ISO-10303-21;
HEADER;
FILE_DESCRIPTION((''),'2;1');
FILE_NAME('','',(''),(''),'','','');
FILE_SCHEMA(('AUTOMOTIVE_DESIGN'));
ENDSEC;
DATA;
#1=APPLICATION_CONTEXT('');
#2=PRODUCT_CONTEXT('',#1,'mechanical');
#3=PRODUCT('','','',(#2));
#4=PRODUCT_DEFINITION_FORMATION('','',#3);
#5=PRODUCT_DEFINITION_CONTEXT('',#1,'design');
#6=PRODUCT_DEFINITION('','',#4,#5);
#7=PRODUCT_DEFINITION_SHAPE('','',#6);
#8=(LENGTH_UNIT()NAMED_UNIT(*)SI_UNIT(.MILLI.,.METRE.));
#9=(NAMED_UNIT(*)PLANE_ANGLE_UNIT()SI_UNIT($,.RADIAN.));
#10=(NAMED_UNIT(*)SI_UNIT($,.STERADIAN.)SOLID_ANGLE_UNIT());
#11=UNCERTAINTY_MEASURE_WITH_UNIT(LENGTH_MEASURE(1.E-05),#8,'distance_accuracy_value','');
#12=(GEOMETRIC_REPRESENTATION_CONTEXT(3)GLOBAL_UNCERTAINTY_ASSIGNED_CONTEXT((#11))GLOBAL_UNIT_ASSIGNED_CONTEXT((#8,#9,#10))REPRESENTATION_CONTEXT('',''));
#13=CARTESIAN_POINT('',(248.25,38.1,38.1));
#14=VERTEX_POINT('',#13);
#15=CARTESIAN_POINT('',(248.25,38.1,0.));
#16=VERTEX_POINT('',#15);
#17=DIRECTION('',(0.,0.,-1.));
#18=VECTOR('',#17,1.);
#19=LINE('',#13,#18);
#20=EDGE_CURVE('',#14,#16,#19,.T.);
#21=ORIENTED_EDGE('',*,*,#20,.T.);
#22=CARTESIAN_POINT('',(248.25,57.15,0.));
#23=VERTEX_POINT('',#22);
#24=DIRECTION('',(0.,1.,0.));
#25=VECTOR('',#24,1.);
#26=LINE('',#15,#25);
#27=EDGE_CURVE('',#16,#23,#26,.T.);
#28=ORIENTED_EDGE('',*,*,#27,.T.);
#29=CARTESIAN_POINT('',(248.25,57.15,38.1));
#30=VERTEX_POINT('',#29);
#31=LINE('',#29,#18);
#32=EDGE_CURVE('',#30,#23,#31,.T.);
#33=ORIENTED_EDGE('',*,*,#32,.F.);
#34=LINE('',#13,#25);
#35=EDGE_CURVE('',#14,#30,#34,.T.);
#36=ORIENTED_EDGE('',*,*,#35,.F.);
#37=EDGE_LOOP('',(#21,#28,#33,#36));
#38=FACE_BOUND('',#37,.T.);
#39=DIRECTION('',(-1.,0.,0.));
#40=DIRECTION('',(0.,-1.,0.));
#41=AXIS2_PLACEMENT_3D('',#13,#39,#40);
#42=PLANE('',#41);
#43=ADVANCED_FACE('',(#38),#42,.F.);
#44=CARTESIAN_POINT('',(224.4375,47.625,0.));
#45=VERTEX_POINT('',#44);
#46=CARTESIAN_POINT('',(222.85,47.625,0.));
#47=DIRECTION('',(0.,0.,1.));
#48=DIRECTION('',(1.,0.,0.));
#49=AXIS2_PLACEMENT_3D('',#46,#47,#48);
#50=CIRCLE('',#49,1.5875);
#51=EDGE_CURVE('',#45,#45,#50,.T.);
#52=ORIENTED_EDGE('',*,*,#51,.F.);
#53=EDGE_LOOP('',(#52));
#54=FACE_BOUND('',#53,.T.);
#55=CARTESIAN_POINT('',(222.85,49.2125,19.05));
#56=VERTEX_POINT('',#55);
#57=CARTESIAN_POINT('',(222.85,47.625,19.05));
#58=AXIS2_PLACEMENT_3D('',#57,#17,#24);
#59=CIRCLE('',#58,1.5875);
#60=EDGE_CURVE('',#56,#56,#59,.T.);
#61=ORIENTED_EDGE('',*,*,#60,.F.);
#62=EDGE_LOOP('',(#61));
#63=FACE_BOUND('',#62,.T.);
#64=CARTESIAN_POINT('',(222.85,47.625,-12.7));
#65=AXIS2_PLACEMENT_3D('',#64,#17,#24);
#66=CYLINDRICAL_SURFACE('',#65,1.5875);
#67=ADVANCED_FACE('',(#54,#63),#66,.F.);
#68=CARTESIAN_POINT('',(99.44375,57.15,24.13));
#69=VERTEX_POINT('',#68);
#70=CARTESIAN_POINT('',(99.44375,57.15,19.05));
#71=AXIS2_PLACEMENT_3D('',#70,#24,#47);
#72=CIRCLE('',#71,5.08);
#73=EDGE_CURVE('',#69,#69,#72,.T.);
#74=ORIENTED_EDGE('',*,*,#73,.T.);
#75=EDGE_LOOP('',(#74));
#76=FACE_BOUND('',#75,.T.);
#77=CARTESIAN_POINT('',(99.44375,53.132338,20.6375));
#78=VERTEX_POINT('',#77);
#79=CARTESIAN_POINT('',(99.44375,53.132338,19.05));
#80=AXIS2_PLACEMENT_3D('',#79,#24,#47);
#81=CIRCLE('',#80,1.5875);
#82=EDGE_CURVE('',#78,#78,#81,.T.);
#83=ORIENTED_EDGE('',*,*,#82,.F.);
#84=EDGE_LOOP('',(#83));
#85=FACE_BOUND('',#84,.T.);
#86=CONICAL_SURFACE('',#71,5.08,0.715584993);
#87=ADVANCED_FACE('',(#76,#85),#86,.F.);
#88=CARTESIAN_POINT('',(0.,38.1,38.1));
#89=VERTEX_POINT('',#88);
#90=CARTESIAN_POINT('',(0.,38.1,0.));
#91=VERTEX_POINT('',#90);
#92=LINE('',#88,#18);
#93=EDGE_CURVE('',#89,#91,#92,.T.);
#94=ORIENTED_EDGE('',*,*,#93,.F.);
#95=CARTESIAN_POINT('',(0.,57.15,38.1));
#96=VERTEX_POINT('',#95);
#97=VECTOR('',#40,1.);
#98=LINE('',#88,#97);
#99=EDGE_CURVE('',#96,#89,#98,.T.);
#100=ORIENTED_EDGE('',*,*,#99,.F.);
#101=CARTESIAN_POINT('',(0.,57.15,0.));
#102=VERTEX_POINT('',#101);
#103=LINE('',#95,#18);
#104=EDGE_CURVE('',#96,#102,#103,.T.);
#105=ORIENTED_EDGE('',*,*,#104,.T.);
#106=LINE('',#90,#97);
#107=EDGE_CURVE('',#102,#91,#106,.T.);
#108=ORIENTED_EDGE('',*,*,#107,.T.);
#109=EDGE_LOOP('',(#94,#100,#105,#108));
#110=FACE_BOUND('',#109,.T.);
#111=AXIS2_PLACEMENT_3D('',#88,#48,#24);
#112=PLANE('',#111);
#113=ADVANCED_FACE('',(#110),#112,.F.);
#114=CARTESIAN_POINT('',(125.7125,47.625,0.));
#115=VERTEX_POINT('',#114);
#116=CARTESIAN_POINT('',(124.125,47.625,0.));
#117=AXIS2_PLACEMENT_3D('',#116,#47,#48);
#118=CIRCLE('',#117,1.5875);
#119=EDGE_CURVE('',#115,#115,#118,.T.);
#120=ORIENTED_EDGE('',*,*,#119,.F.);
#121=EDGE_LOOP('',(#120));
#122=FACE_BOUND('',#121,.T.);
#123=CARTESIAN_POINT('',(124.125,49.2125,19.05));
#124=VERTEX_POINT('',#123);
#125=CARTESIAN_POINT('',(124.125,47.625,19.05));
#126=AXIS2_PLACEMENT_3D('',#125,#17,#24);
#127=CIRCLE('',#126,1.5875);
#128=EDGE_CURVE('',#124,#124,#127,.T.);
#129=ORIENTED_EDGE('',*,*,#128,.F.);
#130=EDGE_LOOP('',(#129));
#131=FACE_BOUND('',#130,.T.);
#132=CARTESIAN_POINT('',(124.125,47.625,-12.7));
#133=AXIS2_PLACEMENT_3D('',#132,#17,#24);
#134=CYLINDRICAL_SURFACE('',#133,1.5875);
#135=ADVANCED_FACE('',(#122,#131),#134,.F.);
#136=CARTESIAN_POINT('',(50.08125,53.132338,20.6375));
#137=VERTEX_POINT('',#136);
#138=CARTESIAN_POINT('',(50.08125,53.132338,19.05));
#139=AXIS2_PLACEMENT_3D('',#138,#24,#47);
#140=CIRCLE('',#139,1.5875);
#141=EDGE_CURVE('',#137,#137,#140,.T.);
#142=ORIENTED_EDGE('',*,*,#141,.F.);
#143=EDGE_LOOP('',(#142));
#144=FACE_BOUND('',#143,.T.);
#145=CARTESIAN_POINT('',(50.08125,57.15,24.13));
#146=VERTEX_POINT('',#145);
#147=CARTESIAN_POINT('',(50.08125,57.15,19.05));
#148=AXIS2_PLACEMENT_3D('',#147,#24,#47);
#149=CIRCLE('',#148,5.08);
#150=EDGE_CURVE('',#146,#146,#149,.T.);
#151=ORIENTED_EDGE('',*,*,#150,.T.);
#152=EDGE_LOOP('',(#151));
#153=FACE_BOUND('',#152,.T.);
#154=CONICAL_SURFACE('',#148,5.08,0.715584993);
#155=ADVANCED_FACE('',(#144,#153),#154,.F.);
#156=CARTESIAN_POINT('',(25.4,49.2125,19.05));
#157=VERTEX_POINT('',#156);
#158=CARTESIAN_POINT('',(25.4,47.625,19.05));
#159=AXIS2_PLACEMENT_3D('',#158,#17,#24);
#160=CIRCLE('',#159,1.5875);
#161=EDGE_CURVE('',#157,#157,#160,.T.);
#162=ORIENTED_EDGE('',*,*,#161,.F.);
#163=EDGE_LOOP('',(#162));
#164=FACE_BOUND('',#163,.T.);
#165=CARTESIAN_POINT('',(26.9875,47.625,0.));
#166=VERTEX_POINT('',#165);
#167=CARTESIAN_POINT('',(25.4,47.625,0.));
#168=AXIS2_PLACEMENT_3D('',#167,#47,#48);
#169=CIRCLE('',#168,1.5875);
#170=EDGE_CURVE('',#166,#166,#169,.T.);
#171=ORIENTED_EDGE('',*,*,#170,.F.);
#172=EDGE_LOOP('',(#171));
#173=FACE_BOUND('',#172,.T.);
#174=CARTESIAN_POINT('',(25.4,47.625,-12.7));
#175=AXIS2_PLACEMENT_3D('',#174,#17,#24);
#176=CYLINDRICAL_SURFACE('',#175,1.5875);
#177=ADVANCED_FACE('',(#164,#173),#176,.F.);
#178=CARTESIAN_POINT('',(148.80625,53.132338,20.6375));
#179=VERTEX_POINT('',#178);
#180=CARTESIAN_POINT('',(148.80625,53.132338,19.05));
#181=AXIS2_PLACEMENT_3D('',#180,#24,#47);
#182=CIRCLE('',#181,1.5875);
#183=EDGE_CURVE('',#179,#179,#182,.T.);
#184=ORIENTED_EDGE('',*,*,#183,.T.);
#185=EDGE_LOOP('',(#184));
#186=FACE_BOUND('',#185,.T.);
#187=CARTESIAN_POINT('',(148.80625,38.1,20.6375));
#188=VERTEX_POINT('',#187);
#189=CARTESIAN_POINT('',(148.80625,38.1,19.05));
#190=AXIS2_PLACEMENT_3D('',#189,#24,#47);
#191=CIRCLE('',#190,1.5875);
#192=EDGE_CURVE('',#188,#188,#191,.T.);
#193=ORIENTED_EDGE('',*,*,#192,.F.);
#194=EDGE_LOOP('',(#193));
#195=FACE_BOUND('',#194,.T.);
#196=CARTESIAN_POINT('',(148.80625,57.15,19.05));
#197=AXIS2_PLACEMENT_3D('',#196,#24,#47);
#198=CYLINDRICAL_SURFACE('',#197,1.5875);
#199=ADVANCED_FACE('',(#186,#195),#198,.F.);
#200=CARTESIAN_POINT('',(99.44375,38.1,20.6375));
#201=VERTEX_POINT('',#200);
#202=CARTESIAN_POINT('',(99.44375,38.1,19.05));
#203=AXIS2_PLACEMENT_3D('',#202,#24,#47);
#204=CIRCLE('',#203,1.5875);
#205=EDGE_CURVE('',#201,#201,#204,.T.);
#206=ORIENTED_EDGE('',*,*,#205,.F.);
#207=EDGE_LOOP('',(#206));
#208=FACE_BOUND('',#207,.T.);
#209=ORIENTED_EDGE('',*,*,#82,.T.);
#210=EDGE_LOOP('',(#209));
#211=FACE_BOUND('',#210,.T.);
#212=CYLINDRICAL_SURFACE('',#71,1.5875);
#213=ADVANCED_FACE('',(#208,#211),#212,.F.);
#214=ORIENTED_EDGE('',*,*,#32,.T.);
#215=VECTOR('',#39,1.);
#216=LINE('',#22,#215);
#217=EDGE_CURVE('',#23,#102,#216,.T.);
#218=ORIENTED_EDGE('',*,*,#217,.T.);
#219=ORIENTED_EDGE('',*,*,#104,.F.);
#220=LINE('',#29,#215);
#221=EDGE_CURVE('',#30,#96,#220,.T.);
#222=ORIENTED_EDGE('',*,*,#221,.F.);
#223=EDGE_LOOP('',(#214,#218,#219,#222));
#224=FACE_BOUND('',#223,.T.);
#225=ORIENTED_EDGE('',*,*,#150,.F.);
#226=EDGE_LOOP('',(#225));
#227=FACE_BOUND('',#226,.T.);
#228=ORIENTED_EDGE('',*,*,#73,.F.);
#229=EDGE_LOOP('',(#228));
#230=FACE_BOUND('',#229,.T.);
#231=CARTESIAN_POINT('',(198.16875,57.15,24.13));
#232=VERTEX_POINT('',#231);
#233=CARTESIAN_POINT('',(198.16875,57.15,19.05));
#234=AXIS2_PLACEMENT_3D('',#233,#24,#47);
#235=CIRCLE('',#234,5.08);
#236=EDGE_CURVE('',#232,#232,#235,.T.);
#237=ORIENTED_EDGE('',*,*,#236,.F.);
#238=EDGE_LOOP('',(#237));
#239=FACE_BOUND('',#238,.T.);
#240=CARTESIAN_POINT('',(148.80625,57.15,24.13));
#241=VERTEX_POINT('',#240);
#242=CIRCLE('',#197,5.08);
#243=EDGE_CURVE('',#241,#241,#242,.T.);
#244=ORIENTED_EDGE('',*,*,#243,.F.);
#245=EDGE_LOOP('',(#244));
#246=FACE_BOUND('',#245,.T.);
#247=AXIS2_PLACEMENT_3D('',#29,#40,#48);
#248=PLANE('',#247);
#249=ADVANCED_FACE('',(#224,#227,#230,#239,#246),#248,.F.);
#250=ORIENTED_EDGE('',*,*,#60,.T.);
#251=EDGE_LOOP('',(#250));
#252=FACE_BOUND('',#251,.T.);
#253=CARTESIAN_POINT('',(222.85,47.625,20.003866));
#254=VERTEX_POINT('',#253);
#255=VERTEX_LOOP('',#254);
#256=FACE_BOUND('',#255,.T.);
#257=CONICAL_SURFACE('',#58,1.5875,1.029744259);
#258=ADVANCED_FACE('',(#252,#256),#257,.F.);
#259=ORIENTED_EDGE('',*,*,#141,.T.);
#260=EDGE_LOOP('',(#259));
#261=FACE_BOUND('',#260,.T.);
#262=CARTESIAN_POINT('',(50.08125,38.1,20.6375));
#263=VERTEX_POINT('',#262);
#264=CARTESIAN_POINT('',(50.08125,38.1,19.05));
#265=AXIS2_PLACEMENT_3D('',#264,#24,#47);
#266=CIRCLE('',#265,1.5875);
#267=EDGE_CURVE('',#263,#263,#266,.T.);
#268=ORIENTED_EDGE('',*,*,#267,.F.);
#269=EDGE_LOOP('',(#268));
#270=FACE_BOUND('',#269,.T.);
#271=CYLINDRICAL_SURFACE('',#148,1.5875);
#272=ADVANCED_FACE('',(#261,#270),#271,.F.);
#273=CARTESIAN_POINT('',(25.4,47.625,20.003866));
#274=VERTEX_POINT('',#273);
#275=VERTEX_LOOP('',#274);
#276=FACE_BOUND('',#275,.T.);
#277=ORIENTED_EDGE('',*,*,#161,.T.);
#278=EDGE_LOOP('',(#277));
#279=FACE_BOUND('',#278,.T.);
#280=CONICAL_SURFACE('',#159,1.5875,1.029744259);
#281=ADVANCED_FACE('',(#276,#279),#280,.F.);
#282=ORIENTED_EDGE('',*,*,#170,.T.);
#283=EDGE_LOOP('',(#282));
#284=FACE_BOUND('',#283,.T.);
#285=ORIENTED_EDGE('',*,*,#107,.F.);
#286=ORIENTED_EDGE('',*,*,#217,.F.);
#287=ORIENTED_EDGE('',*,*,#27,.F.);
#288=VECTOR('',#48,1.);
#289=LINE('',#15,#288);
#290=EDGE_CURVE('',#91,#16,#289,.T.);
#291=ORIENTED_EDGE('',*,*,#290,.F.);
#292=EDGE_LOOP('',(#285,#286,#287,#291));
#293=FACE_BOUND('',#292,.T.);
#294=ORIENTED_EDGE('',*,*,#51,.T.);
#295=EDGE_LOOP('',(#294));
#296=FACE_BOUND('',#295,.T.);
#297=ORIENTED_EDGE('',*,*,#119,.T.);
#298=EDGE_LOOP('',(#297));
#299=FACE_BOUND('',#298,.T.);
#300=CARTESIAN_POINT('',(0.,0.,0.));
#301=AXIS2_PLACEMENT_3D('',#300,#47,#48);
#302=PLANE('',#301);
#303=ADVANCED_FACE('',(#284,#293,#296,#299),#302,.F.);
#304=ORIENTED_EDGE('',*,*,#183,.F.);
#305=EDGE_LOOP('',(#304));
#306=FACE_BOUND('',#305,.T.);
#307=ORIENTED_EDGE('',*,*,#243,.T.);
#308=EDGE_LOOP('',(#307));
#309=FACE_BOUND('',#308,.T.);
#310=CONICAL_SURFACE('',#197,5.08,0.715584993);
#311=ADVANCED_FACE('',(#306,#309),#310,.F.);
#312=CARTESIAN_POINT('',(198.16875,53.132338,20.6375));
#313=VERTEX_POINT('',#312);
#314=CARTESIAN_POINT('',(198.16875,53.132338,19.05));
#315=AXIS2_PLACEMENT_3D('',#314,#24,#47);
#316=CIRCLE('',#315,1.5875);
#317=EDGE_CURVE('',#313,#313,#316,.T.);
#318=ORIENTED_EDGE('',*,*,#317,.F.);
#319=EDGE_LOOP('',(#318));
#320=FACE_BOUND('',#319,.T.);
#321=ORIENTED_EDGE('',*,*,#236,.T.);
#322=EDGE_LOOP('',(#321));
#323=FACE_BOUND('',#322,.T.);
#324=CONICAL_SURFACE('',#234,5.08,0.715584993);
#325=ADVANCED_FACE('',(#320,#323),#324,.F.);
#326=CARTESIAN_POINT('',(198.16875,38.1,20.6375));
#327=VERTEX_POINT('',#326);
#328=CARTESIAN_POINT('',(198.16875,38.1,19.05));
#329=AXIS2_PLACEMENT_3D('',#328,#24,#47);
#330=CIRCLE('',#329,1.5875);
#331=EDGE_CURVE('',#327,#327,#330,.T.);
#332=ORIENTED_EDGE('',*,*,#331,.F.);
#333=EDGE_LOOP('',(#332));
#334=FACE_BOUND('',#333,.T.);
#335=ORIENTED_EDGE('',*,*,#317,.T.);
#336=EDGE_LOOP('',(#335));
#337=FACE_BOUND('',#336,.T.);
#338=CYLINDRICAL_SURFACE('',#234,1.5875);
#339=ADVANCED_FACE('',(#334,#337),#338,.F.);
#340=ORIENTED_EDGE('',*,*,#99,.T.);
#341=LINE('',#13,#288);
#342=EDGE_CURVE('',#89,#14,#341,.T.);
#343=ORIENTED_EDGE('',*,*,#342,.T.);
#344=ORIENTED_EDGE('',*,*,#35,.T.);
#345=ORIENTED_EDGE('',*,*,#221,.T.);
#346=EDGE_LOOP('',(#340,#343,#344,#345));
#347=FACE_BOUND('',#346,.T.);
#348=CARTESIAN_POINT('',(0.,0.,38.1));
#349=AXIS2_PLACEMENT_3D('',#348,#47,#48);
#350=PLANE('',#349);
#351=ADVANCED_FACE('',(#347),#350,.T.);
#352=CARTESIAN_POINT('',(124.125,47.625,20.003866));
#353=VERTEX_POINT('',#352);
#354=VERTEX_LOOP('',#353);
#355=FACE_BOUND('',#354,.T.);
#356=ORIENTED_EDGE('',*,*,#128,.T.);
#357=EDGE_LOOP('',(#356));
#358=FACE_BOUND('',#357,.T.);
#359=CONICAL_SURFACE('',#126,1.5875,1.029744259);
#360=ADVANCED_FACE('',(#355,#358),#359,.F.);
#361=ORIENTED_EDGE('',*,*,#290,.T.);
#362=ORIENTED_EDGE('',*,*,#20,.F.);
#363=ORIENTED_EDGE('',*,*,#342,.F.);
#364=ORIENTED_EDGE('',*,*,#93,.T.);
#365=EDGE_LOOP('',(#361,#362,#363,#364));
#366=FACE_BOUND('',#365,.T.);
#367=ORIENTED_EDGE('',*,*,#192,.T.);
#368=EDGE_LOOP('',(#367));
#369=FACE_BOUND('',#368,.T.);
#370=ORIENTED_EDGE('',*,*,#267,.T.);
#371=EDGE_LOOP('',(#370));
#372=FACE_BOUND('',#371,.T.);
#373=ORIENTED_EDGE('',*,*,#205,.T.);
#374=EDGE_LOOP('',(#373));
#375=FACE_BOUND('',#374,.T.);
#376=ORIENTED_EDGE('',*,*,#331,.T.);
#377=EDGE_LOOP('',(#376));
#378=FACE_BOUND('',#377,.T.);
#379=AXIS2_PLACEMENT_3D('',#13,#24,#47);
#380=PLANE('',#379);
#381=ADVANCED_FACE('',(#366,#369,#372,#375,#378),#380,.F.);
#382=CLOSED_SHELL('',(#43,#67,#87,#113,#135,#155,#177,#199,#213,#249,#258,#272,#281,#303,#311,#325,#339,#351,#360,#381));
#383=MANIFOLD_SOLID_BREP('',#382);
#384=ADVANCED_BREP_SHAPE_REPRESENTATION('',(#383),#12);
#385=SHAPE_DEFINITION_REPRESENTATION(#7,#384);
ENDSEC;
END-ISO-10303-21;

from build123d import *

# Parameters (mm, degrees)
SKETCH1_W           = 248.25
SKETCH1_H           = 19.05
BOSS_EXTRUDE1_DEPTH = 38.1
HOLE1_D             = 3.175
HOLE1_DEPTH         = 31.75
HOLE1_CSINK_D       = 10.16
HOLE1_CSINK_ANGLE   = 82
HOLE1_TIP           = 0.953866233
HOLE2_D             = 3.175
HOLE2_DEPTH         = 57.15
HOLE2_CSINK_D       = 10.16
HOLE2_CSINK_ANGLE   = 82
HOLE2_TIP           = 0.953866233


with BuildPart() as part:
    # Sketch1 → Boss-Extrude1 (new body)
    with BuildSketch(Plane.XY):
        with Locations((124.125, 47.625)):
            Rectangle(SKETCH1_W, SKETCH1_H)
    extrude(amount=BOSS_EXTRUDE1_DEPTH)

    # Hole1
    with Locations(Plane(origin=(-1090.512770337, -52.974999997, -12.7), x_dir=(0, 1, 0), z_dir=(0, 0, -1))):
        with Locations((-100.332047386, 1313.362770337), (100.599999997, 1313.362770337), (100.599999997, 1115.912770337), (100.599999997, 1214.637770337), (-100.332047386, 1214.637770337), (-100.332047386, 1115.912770337)):
            CounterSinkHole(HOLE1_D / 2, HOLE1_CSINK_D / 2, depth=HOLE1_DEPTH, counter_sink_angle=HOLE1_CSINK_ANGLE)
            with Locations((0, 0, -(HOLE1_DEPTH + HOLE1_TIP / 2))):  # 118° drill point
                Cone(0, HOLE1_D / 2, HOLE1_TIP, mode=Mode.SUBTRACT)

    # Hole2
    with Locations(Plane(origin=(-1090.512770337, 57.15, -415.792401694), x_dir=(0.374606593, 0, 0.927183855), z_dir=(0, 1, 0))):
        with Locations((848.944412528, 940.413642522), (885.927448463, 1031.949868564), (867.435930496, 986.181755543), (830.452894561, 894.645529501)):
            CounterSinkHole(HOLE2_D / 2, HOLE2_CSINK_D / 2, depth=HOLE2_DEPTH, counter_sink_angle=HOLE2_CSINK_ANGLE)
            with Locations((0, 0, -(HOLE2_DEPTH + HOLE2_TIP / 2))):  # 118° drill point
                Cone(0, HOLE2_D / 2, HOLE2_TIP, mode=Mode.SUBTRACT)


solid = part.part
